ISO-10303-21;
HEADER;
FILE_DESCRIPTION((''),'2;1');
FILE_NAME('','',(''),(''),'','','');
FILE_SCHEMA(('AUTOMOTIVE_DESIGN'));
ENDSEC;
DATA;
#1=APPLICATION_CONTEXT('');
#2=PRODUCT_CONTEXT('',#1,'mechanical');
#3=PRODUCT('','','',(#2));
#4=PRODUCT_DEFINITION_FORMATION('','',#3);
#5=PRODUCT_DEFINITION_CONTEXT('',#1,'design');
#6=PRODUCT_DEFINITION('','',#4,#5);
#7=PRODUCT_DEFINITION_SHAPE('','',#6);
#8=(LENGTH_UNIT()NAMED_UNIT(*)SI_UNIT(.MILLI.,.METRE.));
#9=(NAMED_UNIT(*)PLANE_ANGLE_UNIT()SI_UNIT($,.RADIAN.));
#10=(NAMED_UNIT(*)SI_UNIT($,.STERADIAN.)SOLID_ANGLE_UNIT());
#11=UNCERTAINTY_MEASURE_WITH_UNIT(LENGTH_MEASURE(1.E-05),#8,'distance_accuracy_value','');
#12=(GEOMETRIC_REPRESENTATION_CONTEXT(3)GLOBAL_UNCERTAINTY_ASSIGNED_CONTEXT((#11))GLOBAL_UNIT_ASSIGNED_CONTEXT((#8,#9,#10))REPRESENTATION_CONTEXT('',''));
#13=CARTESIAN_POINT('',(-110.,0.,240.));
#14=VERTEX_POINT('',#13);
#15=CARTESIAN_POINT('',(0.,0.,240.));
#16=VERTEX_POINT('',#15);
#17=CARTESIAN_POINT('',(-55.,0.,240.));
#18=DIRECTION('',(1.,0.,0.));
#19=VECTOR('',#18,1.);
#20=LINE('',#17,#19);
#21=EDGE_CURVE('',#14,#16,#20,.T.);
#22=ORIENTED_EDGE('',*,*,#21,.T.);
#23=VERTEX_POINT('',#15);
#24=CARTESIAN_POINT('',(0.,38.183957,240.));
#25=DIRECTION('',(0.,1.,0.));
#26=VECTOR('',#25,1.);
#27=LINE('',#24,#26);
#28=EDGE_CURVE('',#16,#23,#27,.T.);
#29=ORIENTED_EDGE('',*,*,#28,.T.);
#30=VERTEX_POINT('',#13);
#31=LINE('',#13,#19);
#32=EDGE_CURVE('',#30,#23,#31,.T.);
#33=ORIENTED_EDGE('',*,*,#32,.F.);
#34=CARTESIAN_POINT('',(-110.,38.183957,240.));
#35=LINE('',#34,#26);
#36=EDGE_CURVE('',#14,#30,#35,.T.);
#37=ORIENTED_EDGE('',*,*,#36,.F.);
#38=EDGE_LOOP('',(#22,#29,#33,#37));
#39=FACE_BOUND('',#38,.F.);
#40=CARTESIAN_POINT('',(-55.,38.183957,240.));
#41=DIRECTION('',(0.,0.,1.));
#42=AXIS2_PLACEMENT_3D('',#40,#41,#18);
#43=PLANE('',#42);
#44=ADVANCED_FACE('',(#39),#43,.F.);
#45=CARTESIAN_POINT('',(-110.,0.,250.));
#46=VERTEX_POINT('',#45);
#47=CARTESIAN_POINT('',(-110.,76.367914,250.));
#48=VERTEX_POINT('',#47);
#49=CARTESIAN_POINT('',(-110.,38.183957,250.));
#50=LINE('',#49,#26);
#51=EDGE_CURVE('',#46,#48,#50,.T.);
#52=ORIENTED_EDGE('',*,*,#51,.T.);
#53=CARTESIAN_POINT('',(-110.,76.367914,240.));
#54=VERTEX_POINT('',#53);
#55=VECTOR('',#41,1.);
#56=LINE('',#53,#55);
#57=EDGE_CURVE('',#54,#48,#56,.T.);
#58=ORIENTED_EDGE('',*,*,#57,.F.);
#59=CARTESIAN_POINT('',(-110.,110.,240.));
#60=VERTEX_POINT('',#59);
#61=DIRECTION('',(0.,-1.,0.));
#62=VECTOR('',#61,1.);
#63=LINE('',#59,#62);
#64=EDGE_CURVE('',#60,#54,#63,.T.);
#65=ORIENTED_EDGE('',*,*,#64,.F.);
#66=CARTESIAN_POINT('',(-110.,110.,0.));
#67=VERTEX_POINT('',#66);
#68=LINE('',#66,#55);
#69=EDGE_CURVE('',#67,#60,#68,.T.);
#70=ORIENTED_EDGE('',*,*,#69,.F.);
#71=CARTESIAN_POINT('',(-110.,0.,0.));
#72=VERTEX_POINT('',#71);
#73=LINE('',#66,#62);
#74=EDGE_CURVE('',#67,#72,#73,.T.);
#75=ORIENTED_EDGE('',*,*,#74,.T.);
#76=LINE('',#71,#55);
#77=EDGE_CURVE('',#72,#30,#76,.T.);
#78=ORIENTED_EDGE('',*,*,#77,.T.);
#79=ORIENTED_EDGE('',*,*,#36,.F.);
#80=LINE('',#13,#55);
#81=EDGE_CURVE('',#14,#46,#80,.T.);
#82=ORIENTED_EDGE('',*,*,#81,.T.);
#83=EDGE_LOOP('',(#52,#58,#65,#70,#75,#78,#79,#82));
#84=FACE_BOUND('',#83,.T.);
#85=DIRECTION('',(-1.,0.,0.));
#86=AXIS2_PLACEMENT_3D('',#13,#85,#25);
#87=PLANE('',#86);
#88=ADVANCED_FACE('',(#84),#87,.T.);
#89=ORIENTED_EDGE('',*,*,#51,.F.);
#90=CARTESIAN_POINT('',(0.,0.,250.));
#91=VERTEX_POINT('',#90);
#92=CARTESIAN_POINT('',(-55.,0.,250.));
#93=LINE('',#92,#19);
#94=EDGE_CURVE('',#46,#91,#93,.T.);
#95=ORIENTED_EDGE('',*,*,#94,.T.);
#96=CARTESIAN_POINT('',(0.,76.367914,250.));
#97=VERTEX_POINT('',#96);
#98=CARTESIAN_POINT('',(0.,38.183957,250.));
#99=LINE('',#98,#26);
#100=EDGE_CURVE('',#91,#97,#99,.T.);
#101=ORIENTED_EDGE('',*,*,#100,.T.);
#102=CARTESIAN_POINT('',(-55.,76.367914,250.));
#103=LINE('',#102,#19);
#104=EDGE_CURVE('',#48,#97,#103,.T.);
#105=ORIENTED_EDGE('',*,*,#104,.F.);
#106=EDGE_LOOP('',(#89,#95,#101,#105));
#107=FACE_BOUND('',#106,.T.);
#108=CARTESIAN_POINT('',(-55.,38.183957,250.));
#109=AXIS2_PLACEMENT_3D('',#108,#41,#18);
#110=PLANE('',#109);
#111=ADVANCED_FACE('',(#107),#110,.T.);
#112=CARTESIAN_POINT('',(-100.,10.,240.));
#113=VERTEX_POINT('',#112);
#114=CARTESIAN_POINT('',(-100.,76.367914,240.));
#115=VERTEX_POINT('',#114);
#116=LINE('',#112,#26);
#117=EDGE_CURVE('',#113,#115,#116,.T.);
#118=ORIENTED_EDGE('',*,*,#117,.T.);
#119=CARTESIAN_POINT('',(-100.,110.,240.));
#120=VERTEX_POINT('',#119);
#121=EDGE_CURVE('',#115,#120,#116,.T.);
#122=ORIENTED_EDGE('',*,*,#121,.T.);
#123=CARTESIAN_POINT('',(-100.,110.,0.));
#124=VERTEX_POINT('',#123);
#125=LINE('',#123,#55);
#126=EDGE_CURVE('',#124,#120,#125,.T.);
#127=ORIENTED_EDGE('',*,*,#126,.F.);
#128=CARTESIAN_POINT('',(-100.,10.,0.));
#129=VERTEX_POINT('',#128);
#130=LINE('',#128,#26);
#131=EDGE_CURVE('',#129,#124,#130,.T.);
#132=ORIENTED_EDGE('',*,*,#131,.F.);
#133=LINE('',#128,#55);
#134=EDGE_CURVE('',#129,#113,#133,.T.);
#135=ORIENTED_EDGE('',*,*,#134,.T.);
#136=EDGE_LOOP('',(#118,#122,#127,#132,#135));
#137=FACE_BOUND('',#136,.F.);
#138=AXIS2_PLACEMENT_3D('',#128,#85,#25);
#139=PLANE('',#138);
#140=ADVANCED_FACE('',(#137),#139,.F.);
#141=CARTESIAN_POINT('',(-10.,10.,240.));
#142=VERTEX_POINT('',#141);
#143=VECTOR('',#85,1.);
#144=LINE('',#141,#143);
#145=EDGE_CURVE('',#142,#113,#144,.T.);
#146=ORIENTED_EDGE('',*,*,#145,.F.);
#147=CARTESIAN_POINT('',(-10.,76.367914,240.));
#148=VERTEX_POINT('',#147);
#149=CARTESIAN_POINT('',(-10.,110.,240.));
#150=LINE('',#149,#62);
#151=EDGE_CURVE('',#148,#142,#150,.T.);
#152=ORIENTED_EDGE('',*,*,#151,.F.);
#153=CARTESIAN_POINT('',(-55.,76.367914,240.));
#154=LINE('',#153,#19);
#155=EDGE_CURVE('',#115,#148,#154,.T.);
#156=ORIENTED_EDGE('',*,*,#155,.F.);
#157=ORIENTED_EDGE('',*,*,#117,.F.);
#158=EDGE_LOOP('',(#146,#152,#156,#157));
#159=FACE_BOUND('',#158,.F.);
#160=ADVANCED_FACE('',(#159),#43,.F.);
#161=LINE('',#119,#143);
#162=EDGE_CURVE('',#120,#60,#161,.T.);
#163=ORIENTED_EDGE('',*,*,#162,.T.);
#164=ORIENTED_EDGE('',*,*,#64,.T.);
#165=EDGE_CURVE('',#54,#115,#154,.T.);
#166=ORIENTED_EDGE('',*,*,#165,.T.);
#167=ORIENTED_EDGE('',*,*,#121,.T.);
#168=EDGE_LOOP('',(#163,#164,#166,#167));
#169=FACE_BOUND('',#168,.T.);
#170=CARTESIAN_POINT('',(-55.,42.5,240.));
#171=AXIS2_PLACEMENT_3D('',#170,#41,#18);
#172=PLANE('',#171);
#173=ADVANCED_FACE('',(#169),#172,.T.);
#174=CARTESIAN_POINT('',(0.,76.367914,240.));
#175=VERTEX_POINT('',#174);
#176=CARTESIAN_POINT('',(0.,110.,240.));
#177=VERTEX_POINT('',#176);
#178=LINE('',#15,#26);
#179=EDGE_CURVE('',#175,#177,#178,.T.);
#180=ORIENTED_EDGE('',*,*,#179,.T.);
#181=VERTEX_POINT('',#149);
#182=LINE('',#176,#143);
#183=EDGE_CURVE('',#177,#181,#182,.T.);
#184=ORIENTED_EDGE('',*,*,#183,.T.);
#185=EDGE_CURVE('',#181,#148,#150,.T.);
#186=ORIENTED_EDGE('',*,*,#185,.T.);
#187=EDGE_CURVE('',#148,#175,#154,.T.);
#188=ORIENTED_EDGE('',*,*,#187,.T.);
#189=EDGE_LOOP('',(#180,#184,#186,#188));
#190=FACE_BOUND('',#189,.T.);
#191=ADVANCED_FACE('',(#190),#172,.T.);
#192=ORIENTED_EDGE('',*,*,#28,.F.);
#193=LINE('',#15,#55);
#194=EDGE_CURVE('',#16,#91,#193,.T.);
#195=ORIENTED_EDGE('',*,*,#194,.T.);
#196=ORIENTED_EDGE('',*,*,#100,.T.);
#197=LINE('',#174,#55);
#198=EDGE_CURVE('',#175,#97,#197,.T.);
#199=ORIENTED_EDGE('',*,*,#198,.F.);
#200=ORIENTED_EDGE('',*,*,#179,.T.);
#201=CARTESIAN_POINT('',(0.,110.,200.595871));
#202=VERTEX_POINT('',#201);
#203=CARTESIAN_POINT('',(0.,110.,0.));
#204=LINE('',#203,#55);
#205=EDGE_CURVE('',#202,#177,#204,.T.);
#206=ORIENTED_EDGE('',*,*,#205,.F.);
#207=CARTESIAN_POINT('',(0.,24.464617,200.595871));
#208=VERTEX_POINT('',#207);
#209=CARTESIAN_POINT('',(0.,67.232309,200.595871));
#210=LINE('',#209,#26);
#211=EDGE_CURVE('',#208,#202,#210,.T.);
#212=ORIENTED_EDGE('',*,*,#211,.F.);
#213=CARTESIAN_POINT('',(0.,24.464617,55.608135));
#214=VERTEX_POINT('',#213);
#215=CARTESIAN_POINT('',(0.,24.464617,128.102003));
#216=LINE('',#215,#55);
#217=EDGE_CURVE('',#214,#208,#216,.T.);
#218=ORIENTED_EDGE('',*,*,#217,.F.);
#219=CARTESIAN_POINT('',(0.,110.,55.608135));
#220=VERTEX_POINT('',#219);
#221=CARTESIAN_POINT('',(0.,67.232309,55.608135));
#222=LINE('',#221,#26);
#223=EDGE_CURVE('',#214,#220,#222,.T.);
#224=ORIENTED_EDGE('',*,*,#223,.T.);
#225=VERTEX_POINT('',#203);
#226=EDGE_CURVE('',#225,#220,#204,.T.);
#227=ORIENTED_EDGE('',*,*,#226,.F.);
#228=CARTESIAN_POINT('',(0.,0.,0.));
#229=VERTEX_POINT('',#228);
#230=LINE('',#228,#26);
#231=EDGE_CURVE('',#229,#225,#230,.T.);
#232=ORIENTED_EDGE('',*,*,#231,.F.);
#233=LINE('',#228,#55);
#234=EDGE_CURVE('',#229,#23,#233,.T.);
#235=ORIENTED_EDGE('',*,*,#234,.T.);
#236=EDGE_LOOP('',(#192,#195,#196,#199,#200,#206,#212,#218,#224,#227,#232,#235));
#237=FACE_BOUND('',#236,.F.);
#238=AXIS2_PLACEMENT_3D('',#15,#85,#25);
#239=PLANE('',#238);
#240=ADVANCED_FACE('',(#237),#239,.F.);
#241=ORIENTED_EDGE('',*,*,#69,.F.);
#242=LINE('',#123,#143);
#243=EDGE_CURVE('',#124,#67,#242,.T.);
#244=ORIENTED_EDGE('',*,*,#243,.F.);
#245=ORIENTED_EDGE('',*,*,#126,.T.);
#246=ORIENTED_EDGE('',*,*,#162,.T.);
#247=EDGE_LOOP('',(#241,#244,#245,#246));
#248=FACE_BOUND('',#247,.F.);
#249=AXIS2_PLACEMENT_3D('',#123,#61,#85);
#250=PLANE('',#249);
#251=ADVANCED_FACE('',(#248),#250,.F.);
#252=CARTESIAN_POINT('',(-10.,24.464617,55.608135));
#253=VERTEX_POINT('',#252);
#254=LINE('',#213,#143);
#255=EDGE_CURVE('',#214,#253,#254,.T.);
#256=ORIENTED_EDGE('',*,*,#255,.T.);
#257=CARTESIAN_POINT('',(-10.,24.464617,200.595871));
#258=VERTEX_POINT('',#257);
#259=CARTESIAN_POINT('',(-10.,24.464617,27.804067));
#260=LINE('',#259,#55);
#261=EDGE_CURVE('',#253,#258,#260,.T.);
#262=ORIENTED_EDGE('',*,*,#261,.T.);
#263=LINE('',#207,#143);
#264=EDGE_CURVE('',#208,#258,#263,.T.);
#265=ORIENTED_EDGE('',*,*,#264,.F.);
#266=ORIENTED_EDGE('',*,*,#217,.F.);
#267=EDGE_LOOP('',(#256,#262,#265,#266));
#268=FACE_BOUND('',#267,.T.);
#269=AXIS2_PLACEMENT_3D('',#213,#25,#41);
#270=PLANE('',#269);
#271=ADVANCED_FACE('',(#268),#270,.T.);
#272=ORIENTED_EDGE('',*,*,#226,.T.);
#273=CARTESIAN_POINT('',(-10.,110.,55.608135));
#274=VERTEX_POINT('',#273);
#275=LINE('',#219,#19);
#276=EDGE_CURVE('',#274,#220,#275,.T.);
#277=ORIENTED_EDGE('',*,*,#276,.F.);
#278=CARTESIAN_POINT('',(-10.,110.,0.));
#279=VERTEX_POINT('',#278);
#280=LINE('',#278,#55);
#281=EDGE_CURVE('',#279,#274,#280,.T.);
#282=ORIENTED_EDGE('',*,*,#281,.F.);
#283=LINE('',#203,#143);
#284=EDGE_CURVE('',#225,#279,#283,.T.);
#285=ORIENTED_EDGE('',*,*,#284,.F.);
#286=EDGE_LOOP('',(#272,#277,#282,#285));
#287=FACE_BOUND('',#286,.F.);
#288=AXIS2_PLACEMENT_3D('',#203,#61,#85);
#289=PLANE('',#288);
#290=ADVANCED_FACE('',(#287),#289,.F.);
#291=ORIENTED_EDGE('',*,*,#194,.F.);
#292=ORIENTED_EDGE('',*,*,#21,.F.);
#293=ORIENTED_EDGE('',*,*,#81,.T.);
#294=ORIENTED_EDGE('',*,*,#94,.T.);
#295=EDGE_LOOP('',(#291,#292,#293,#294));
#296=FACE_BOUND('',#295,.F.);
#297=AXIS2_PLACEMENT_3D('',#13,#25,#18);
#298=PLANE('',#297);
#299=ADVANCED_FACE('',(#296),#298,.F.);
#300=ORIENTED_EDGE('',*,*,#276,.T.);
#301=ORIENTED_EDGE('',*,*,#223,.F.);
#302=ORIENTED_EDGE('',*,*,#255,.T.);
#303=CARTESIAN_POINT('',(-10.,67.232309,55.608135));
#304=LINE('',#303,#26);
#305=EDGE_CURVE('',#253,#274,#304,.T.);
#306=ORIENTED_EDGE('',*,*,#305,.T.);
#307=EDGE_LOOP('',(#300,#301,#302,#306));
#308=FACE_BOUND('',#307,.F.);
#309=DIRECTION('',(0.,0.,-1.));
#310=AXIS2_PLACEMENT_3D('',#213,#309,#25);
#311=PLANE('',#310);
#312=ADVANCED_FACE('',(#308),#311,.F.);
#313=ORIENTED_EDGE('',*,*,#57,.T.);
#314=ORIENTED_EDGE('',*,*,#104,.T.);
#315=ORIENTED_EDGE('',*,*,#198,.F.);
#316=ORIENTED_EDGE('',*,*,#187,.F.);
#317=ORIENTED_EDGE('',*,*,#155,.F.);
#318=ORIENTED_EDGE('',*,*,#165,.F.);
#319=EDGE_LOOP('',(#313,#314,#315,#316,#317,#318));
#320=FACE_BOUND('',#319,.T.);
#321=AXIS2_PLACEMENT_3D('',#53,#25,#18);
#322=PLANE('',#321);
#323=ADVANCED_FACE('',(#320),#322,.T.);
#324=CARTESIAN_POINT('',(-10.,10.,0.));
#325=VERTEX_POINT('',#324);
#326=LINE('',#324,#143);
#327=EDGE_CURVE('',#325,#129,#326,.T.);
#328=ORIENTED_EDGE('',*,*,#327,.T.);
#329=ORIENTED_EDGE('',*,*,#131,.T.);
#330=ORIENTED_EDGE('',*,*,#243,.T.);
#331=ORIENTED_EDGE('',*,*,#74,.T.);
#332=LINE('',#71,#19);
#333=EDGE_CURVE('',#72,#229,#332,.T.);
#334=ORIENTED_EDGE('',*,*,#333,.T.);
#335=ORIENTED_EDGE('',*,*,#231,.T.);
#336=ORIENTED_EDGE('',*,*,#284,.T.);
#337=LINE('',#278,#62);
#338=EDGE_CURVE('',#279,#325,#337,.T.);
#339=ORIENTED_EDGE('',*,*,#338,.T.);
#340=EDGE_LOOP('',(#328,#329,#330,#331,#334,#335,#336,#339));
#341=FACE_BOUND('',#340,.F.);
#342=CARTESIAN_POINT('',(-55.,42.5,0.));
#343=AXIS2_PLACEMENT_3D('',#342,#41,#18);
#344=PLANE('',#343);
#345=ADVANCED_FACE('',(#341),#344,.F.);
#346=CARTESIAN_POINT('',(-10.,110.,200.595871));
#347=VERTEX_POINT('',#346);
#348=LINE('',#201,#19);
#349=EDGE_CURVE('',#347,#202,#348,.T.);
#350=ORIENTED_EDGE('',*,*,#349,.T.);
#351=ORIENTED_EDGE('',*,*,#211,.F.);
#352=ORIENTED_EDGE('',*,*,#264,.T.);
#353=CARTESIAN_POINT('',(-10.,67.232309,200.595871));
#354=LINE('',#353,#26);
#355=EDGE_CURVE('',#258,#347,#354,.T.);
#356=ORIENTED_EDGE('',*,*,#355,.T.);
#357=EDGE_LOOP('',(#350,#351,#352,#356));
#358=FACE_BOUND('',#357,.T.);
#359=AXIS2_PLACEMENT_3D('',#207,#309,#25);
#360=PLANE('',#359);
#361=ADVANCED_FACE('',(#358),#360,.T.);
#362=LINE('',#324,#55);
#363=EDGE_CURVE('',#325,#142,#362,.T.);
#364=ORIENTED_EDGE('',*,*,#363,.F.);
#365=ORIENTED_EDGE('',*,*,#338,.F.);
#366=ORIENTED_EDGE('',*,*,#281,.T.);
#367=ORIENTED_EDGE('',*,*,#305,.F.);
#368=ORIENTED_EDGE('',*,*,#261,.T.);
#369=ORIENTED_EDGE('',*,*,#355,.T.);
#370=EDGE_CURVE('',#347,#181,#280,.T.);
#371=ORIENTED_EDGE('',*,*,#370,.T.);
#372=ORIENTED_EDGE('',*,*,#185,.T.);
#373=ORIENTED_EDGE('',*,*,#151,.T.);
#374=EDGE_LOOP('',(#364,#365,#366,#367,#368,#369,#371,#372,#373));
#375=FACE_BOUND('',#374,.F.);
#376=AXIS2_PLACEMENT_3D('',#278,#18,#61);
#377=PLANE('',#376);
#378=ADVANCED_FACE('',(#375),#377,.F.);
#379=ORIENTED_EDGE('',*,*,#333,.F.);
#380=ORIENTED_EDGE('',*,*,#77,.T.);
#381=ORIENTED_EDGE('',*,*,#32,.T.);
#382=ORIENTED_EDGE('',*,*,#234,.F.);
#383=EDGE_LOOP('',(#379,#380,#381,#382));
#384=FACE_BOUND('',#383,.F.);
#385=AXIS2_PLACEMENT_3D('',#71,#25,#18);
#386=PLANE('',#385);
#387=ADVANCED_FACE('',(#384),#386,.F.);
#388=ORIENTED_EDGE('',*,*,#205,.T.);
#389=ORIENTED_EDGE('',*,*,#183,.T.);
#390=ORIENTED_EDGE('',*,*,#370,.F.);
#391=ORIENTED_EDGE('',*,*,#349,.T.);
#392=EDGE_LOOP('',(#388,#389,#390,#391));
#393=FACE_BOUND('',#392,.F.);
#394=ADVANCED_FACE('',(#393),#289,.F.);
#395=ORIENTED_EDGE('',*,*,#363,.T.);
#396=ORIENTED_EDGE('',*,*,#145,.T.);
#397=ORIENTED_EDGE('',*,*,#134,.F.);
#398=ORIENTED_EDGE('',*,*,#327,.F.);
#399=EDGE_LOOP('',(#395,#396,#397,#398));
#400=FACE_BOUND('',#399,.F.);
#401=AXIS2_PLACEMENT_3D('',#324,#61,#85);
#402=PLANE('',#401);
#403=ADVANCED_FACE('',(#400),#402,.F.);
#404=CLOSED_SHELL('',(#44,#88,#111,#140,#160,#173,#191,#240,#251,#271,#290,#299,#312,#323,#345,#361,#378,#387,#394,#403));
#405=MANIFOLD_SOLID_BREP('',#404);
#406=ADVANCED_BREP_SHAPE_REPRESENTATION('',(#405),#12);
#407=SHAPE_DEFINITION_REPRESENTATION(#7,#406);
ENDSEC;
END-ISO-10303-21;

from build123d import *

# Parameters (mm, degrees)
F1_DEPTH = 240
F2_W     = 85.535383
F2_H     = 144.987736
F3_DEPTH = 25
F4_W     = 110
F4_H     = 76.367915
F5_DEPTH = 10


with BuildPart() as f1:
    # F0 (on Top) → F1 (new body)
    with BuildSketch(Plane.XY):
        Polygon((-110, 0), (0, 0), (0, 10), (0, 110), (-10, 110), (-10, 10), (-100, 10), (-100, 110), (-110, 110), (-110, 10), align=None)
    extrude(amount=F1_DEPTH)

    # F2 (on face) → F3 (cut)
    with BuildSketch(Plane.YZ):
        with Locations((67.232309, 128.102003)):
            Rectangle(F2_W, F2_H)
    extrude(amount=-F3_DEPTH, mode=Mode.SUBTRACT)

    # F4 (on face) → F5 (join)
    with BuildSketch(Plane.XY.offset(240)):
        with Locations((-55, 38.183957)):
            Rectangle(F4_W, F4_H)
    extrude(amount=F5_DEPTH)


solid = f1.part
